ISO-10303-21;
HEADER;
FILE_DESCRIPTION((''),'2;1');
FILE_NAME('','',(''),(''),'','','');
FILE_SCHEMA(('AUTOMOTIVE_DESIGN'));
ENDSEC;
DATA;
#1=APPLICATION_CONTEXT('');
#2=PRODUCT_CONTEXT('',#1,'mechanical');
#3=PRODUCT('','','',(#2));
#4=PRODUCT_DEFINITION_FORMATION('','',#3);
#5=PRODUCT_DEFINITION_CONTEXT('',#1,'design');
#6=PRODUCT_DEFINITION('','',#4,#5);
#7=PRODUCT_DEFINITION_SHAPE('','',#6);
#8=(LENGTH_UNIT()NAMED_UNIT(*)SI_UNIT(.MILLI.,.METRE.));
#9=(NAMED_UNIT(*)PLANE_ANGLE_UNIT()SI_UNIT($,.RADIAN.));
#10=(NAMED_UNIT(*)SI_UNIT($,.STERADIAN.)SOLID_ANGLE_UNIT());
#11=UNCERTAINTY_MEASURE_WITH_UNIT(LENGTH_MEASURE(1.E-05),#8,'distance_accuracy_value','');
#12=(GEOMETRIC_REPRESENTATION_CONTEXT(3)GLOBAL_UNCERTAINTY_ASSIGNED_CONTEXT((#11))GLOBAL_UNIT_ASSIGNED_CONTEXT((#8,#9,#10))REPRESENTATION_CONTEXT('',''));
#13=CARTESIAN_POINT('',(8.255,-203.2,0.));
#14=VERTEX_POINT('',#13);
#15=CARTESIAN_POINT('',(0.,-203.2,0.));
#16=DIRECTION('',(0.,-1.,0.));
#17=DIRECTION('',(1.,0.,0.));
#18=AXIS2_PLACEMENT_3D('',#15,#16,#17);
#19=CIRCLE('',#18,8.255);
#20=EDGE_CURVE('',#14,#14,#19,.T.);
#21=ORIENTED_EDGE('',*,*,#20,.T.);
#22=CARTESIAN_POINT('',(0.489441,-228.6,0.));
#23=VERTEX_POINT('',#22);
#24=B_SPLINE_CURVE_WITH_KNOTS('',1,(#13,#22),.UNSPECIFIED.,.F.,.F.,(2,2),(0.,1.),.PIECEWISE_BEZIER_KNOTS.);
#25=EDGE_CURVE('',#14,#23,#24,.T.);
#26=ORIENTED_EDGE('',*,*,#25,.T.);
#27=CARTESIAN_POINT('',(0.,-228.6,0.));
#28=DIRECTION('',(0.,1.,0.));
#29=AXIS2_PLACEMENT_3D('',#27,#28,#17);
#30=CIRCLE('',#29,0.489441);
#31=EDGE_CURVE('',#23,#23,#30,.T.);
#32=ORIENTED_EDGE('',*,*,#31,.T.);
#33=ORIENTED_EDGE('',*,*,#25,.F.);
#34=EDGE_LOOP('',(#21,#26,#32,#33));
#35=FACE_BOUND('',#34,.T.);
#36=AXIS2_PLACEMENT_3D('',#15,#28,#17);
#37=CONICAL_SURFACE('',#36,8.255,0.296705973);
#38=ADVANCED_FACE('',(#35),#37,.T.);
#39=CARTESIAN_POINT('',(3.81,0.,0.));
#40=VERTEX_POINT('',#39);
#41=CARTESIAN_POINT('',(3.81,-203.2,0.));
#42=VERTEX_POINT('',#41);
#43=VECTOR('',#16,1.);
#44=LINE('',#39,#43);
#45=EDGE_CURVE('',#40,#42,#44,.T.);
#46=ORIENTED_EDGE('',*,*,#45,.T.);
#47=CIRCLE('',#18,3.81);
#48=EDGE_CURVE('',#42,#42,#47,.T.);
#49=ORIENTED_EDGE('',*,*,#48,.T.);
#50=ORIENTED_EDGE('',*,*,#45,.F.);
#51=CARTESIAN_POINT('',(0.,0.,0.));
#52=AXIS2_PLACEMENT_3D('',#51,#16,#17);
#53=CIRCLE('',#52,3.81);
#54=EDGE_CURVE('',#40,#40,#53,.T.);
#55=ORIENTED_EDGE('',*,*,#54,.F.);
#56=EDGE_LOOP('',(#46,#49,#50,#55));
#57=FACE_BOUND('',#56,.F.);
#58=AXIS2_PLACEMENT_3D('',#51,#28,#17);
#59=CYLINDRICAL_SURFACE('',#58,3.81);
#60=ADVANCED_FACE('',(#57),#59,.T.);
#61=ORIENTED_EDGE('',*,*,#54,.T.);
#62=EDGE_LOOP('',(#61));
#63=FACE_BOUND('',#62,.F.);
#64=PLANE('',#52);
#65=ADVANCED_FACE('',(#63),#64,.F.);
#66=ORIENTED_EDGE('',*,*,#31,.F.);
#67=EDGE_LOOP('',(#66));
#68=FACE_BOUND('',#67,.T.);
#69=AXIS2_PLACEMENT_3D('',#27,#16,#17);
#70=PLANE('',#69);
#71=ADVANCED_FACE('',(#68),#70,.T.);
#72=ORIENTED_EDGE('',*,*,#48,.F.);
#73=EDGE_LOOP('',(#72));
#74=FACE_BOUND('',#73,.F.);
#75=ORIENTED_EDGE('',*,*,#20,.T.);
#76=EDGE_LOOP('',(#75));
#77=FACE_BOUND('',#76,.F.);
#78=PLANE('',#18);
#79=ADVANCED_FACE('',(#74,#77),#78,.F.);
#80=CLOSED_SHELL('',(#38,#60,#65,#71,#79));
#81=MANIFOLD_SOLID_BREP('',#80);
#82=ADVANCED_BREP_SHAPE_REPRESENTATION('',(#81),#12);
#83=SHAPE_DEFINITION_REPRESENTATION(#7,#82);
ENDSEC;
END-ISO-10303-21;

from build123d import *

# Parameters (mm, degrees)
F0_R     = 3.81
F1_DEPTH = 203.2
F2_R     = 8.255
F3_DEPTH = 25.4
F3_TAPER = 17


with BuildPart() as f1:
    # F0 (on Front) → F1 (new body)
    with BuildSketch(Plane.XZ):
        Circle(F0_R)
    extrude(amount=F1_DEPTH)

    # F2 (on face) → F3 (join)
    with BuildSketch(Plane.XZ.offset(203.2)):
        Circle(F2_R)
    extrude(amount=F3_DEPTH, taper=F3_TAPER)


solid = f1.part
